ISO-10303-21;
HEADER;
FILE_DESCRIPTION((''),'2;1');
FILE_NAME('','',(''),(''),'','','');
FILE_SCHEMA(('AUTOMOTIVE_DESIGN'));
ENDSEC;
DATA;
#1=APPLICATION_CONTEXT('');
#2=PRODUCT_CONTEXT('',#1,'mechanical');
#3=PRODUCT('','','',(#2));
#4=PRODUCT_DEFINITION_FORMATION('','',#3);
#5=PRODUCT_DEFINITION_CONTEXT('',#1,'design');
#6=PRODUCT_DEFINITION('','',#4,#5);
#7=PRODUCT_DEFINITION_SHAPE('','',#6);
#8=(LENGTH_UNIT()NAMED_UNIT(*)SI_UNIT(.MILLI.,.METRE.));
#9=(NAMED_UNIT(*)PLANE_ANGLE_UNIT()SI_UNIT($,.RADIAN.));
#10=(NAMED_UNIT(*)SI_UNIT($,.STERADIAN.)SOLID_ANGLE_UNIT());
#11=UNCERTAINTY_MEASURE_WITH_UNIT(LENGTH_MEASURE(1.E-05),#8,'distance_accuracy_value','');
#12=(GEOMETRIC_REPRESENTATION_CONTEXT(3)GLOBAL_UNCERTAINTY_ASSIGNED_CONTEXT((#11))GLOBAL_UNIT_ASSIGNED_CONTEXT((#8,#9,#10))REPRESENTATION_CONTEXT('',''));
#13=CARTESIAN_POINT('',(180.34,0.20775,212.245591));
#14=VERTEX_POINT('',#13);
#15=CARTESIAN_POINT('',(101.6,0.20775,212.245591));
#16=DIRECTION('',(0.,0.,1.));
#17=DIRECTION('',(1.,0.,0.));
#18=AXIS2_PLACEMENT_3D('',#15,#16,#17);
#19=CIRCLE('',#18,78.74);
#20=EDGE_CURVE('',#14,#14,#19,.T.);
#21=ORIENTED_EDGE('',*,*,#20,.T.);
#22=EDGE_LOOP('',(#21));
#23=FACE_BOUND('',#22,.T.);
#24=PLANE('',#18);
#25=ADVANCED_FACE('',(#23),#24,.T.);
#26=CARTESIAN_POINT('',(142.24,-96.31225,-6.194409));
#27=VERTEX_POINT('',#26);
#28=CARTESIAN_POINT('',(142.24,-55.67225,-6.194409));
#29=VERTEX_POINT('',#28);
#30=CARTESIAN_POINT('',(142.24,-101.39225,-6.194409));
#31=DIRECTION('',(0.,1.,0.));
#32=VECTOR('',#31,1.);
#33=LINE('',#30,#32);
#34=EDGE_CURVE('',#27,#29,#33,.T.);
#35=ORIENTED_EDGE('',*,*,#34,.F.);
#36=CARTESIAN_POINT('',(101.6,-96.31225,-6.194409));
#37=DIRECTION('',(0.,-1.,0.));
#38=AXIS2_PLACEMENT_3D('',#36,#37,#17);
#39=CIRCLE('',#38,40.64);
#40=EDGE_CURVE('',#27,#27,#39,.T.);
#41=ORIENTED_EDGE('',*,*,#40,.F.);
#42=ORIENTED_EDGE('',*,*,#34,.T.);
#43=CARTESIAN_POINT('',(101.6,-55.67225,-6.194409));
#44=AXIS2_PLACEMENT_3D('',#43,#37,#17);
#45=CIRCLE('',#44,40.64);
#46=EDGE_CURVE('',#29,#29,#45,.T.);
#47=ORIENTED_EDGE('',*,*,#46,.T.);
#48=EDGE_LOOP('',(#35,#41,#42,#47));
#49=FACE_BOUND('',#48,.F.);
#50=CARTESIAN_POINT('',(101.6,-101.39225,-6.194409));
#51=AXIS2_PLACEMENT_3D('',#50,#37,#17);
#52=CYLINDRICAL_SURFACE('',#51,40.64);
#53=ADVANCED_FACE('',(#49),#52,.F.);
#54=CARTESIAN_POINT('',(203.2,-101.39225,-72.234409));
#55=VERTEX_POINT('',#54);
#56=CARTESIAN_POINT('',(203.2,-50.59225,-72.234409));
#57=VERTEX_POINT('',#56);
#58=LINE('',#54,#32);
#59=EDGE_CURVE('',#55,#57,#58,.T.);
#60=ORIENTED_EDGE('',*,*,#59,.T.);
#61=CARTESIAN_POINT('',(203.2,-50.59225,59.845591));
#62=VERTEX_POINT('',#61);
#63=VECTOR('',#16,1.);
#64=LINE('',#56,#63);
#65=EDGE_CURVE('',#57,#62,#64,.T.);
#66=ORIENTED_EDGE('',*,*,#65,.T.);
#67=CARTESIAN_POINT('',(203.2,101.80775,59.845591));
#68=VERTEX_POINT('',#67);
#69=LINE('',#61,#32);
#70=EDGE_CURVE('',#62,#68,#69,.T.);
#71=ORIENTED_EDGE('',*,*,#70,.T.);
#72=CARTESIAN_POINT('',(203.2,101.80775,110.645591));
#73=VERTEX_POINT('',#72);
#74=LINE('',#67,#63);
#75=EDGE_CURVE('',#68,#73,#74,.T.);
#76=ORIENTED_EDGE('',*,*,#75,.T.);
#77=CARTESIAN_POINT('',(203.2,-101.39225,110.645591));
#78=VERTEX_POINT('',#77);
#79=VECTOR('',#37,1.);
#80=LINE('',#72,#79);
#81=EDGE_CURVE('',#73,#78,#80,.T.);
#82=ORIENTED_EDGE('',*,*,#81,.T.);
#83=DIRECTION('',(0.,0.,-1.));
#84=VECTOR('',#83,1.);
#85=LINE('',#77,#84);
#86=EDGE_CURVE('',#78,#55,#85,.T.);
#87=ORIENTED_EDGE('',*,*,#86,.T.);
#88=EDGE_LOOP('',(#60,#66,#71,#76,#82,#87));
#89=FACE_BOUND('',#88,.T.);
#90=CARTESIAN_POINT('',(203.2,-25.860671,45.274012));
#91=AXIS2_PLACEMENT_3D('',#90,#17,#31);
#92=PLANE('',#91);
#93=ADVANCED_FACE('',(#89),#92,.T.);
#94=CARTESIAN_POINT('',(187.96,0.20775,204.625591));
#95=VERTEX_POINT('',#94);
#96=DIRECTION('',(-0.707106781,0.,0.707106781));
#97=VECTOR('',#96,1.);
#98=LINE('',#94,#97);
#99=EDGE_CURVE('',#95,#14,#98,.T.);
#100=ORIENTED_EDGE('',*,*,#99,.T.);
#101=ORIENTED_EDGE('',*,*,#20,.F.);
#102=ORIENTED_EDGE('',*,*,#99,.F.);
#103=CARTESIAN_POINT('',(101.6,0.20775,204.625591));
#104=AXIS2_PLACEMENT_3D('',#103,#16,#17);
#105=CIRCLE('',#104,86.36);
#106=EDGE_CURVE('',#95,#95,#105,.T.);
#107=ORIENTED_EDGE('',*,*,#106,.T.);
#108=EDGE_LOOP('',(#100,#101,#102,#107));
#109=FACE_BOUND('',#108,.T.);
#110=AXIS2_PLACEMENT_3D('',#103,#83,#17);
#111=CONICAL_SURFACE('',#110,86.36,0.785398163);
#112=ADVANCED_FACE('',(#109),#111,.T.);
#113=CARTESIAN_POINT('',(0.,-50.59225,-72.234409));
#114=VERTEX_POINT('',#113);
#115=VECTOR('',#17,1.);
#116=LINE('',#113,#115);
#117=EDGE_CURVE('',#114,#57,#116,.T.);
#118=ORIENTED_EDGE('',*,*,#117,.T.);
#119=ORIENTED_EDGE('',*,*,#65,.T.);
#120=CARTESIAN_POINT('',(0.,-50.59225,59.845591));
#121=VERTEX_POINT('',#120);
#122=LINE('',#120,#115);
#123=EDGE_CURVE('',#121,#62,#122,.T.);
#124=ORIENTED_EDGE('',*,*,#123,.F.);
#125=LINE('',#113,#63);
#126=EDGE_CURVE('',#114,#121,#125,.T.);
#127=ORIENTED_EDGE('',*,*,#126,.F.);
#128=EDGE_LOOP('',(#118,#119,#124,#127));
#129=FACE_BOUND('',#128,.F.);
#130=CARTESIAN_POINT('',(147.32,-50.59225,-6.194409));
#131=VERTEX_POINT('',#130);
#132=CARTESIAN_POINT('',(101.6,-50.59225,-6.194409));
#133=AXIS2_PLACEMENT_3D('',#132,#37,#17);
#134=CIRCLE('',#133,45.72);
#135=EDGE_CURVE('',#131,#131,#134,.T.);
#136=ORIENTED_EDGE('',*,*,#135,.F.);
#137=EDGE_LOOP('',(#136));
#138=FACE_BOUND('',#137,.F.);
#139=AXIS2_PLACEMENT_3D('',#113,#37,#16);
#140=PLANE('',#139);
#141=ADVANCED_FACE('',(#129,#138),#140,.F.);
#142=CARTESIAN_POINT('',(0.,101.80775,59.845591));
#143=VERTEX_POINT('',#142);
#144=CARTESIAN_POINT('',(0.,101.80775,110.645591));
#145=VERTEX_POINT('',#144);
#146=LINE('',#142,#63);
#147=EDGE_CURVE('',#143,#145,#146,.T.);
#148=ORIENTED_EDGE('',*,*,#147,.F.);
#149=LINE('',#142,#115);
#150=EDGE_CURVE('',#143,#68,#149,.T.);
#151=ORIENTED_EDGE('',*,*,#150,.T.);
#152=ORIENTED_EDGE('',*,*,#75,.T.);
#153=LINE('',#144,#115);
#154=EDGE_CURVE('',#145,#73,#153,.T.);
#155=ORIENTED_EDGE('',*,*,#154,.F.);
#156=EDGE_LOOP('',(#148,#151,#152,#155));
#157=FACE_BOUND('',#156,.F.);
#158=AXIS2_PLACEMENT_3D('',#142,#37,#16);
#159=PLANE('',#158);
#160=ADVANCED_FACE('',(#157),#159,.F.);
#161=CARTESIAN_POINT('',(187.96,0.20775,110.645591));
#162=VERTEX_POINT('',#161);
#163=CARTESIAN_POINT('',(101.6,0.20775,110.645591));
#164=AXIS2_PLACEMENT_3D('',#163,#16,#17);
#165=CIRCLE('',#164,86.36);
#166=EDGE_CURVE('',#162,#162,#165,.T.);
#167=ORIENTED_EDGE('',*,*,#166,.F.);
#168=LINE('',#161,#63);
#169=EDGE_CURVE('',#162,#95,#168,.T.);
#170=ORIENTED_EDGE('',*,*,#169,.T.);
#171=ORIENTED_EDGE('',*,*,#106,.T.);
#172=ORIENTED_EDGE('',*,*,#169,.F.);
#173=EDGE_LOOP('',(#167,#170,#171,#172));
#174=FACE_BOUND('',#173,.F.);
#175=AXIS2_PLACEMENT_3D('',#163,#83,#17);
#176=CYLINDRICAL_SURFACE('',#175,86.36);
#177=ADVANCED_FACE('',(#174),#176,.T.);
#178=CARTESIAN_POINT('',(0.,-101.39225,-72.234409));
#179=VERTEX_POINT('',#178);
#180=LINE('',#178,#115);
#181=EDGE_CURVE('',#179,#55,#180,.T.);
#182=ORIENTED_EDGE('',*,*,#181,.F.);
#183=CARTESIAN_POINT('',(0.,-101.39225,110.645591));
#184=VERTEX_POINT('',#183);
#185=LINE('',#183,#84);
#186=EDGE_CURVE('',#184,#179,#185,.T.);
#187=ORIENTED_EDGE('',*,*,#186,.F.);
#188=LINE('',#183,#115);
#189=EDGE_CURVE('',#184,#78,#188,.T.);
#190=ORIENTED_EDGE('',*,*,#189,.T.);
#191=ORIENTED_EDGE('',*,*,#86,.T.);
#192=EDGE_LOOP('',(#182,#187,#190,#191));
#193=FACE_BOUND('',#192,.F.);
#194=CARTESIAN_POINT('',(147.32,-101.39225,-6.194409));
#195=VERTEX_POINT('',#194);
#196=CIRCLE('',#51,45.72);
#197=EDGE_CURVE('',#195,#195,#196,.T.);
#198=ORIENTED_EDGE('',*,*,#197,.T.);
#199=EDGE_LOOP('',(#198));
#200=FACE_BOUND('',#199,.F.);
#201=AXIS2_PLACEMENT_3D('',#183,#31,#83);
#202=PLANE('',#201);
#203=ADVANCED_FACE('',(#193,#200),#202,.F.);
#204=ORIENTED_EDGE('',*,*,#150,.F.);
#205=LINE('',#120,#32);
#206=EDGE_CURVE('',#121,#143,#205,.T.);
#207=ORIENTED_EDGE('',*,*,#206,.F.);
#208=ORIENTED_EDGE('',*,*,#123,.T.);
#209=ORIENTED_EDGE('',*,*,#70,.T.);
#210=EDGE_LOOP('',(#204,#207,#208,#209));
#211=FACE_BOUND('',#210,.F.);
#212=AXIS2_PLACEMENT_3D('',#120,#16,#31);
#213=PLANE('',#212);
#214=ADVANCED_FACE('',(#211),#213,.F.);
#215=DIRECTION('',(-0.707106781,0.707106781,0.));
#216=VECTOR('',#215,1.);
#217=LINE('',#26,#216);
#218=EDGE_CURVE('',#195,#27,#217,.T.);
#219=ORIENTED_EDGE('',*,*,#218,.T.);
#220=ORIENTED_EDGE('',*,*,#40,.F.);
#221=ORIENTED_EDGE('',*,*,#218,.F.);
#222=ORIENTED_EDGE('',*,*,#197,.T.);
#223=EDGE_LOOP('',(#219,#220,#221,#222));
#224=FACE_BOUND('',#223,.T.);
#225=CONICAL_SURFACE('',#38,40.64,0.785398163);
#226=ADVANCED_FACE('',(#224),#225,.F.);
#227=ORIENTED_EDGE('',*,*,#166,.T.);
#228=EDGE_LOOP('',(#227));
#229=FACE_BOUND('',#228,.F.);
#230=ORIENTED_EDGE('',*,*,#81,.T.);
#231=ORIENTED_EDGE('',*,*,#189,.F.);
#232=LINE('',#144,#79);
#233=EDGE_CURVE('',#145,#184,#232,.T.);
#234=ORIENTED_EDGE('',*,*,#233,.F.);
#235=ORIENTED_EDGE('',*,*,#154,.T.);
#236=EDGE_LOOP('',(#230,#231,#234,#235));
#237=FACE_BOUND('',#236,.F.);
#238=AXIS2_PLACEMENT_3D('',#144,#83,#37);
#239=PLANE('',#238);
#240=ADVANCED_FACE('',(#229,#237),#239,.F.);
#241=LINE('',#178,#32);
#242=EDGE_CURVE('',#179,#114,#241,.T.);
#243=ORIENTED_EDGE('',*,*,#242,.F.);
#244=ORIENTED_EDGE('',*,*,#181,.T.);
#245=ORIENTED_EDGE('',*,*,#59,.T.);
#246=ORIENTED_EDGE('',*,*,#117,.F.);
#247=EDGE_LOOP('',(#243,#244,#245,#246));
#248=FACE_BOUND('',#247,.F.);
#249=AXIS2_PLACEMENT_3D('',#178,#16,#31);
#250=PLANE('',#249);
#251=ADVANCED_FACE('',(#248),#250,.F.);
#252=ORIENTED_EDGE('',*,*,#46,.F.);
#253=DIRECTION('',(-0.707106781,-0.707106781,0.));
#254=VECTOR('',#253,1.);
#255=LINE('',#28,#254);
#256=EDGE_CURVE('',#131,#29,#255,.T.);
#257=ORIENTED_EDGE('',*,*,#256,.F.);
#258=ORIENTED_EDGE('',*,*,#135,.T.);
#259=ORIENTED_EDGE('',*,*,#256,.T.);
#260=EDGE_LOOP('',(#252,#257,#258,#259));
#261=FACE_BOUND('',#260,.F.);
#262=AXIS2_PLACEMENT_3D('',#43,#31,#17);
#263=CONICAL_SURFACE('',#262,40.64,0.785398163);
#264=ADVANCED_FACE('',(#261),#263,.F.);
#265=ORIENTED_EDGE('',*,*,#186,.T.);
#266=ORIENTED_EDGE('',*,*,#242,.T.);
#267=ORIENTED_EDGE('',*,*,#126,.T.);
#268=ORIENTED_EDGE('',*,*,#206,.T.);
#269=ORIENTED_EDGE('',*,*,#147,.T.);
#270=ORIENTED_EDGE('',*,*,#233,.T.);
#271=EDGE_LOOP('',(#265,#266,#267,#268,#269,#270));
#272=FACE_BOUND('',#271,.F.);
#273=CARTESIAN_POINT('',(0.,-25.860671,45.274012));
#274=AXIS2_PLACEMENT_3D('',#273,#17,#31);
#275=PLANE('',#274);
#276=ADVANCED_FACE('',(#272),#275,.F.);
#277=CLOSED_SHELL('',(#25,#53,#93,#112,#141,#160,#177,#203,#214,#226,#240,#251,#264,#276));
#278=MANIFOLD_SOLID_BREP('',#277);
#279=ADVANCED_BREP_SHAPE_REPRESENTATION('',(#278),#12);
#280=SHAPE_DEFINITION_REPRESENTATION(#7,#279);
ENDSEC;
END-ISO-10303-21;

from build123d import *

# Parameters (mm, degrees)
F1_DEPTH = 203.2
F2_R     = 40.64
F3_DEPTH = 635
F4_R     = 86.36
F5_DEPTH = 101.6
F6_SIZE2 = 7.62
F6_SIZE  = 7.62
F7_SIZE2 = 5.08
F7_SIZE  = 5.08


with BuildPart() as f1:
    # F0 (on Right) → F1 (new body)
    with BuildSketch(Plane.YZ):
        Polygon((-101.3922498733, -72.2344086301), (-50.5922498733, -72.2344086301), (-50.5922498733, 59.8455913699), (101.8077501267, 59.8455913699), (101.8077501267, 110.6455913699), (-101.3922498733, 110.6455913699), align=None)
    extrude(amount=F1_DEPTH)

    # F2 (on face) → F3 (cut)
    with BuildSketch(Plane.XZ.offset(101.3922498733)):
        with Locations((101.6, -6.1944086301)):
            Circle(F2_R)
    extrude(amount=-F3_DEPTH, mode=Mode.SUBTRACT)

    # F4 (on face) → F5 (join)
    with BuildSketch(Plane.XY.offset(110.6455913699)):
        with Locations((101.6, 0.2077501267)):
            Circle(F4_R)
    extrude(amount=F5_DEPTH)

    # F6
    f6_edges = [f1.edges().sort_by_distance(p)[0] for p in [
        (15.24, 0.20775, 212.245591),
    ]]
    chamfer(f6_edges, length=F6_SIZE, length2=F6_SIZE2)

    # F7
    f7_edges = [f1.edges().sort_by_distance(p)[0] for p in [
        (60.96, -101.39225, -6.194409),
        (60.96, -50.59225, -6.194409),
    ]]
    chamfer(f7_edges, length=F7_SIZE, length2=F7_SIZE2)


solid = f1.part
